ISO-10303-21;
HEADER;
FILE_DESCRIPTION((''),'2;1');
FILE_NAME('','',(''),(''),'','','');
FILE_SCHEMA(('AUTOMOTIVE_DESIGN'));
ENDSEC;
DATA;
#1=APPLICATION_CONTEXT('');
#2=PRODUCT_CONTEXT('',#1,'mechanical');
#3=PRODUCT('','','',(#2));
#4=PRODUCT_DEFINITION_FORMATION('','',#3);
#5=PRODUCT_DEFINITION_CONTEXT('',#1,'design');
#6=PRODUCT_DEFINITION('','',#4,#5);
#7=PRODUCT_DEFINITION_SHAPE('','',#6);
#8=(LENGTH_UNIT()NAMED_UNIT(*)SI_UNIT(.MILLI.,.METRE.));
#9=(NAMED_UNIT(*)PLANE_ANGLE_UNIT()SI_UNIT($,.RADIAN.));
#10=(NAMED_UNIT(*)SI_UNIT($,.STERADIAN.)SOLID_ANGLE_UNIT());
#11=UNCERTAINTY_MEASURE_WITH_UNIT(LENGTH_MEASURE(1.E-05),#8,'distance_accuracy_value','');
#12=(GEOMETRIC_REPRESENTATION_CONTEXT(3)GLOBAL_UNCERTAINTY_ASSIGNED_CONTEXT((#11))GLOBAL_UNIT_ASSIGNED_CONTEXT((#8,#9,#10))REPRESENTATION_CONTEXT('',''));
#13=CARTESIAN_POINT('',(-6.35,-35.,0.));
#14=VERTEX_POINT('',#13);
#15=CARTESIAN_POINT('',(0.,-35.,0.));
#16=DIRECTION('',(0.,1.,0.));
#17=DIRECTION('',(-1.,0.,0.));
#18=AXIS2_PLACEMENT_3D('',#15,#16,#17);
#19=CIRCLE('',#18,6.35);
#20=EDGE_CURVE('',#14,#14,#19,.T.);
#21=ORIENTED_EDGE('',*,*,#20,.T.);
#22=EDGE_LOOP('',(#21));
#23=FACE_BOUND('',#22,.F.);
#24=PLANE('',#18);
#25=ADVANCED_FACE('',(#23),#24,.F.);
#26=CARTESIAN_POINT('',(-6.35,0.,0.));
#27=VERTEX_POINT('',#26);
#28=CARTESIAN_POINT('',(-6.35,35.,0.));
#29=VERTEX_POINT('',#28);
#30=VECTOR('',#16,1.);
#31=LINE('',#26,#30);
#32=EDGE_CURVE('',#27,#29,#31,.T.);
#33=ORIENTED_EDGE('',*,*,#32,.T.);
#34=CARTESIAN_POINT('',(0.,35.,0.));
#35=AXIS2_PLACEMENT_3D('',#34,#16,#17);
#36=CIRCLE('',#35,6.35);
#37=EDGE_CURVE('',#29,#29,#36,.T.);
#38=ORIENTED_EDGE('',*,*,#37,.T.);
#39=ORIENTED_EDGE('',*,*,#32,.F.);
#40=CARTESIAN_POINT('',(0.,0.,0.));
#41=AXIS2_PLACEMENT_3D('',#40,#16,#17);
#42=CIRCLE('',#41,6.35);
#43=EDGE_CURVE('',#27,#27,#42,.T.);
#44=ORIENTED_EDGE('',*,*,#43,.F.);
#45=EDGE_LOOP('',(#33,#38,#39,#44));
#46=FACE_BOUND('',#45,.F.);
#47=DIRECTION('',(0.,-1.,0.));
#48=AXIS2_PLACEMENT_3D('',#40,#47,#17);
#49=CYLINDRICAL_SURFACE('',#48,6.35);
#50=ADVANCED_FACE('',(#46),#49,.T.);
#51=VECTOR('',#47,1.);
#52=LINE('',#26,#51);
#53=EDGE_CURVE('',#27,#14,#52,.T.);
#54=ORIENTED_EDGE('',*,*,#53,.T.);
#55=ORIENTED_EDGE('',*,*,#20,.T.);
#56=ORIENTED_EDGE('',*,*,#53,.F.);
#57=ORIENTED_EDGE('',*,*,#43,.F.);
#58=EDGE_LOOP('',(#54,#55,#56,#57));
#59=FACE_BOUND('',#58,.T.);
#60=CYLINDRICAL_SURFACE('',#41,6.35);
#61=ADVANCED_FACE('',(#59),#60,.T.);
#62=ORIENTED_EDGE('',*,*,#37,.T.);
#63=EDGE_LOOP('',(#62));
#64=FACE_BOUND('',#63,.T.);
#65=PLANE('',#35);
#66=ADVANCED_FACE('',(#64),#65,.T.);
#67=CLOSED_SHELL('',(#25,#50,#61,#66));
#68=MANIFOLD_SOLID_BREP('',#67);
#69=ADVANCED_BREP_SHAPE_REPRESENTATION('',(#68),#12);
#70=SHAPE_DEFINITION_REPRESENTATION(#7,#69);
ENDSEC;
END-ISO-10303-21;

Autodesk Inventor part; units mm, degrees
ref_plane "YZ Plane" through (0, 0, 0) normal (1, 0, 0) x (0, 1, 0)
ref_plane "XZ Plane" through (0, 0, 0) normal (0, 1, 0) x (-1, 0, 0)
ref_plane "XY Plane" through (0, 0, 0) normal (0, 0, 1) x (1, 0, 0)
sketch "Sketch1" plane through (0, 0, 0) normal (0, 1, 0) x (-1, 0, 0)
  circle A0 centre (0, 0) radius 6.35
  dimension "d0" = 12.7
extrude "Extrusion1" add sketch "Sketch1" along normal mid plane 70
